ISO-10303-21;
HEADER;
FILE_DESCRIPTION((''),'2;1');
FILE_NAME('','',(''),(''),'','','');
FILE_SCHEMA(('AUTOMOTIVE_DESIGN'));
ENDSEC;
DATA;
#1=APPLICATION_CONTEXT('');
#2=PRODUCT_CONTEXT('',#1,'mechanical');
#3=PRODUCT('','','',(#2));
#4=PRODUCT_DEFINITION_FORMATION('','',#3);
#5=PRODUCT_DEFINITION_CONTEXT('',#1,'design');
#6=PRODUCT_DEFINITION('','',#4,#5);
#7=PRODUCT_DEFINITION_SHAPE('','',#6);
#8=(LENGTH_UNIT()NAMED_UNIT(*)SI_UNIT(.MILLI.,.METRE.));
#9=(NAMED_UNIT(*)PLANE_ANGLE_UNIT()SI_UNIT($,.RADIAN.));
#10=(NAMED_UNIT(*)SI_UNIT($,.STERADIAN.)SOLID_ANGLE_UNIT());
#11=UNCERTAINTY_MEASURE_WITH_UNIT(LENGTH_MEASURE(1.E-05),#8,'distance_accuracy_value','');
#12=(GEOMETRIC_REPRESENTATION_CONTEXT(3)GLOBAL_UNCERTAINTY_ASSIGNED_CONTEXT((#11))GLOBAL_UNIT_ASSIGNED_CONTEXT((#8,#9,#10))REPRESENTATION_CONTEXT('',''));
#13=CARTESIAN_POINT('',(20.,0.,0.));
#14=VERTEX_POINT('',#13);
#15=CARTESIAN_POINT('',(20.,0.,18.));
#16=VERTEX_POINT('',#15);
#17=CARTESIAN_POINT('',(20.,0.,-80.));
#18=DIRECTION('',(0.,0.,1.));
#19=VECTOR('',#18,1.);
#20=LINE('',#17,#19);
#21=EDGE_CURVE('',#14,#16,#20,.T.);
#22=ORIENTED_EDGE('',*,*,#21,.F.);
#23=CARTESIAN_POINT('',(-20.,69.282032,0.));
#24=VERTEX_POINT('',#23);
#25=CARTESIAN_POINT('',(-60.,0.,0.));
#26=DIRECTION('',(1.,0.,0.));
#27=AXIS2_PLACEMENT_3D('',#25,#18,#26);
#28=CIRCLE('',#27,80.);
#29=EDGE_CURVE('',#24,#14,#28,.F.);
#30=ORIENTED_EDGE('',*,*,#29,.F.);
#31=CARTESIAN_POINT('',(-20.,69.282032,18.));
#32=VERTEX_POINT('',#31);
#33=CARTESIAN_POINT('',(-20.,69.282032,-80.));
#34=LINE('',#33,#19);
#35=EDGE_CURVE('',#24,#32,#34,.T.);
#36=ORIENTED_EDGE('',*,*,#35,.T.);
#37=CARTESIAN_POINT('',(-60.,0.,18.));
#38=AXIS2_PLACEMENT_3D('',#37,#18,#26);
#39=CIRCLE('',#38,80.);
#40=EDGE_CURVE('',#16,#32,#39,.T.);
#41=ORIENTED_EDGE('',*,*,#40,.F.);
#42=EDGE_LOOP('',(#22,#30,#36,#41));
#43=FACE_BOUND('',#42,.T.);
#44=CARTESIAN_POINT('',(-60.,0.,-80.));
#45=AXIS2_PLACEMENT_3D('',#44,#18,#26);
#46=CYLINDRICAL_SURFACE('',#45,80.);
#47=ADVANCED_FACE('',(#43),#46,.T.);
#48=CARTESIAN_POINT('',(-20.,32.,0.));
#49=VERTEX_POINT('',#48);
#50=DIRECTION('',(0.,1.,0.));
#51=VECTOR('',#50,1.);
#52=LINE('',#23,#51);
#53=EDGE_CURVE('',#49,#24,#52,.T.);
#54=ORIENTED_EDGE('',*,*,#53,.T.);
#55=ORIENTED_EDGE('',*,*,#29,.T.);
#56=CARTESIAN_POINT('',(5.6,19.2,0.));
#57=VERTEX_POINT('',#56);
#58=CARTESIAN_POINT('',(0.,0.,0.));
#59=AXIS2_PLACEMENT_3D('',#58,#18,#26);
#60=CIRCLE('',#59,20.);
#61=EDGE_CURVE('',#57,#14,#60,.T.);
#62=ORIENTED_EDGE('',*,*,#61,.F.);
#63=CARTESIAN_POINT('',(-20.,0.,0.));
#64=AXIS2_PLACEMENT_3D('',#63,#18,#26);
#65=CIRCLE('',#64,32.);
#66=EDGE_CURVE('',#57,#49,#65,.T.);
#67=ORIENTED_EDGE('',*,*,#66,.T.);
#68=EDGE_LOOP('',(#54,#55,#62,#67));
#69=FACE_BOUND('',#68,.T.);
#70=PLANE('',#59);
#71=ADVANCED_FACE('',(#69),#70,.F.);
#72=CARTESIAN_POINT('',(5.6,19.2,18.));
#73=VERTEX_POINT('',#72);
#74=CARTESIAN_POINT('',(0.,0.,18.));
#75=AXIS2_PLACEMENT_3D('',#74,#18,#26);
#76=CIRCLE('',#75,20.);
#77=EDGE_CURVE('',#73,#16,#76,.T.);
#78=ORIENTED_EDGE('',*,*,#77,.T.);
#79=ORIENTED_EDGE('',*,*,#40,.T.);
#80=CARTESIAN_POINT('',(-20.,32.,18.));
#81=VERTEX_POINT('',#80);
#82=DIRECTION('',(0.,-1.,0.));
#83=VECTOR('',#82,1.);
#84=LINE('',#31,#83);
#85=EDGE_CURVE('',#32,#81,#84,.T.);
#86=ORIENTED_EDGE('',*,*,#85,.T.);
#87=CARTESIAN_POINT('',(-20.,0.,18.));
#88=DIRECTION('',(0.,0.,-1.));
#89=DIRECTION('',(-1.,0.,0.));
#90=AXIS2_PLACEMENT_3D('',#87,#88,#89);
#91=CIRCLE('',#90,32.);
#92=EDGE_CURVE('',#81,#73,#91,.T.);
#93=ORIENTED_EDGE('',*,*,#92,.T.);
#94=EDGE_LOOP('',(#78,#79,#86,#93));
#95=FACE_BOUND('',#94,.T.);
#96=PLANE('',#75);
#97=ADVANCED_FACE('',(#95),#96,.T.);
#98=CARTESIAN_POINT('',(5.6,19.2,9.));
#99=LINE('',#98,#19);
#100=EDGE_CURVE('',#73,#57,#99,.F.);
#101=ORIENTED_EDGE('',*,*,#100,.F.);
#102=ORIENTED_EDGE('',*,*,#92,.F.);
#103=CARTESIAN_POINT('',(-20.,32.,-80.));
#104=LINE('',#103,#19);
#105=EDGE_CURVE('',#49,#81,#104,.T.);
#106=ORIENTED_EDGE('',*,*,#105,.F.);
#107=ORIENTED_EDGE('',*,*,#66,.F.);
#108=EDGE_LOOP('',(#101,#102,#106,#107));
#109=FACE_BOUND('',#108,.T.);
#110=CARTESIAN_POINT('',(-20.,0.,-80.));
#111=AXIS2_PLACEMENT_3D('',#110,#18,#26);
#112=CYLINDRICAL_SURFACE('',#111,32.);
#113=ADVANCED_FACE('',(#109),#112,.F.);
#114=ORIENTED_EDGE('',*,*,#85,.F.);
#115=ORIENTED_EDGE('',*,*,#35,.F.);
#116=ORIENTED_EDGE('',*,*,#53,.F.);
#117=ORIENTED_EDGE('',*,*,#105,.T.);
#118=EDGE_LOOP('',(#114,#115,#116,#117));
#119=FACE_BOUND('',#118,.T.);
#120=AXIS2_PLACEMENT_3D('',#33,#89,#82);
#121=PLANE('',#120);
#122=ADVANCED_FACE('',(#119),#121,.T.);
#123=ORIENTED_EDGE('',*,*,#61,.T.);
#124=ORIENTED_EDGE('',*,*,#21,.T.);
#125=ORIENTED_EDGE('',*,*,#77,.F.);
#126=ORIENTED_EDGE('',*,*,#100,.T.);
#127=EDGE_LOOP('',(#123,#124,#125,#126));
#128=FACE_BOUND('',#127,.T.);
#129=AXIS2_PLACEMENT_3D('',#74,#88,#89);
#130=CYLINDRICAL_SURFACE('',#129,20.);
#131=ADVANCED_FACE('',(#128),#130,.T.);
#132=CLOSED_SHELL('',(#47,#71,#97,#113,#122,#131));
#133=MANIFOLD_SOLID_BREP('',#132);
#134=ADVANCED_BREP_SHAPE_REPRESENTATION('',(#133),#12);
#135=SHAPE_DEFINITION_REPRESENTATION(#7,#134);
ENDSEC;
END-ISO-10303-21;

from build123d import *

# Parameters (mm, degrees)
SKETCH_1_R      = 20
EXTRUDE_1_DEPTH = 18
EXTRUDE_2_DEPTH = 18


with BuildPart() as part:
    # 草图1 → 凸台-拉伸1 (new body)
    with BuildSketch(Plane.XY):
        Circle(SKETCH_1_R)
    extrude(amount=EXTRUDE_1_DEPTH)

    # 草图2 → 凸台-拉伸2 (add)
    with BuildSketch(Plane.XY.offset(18)):
        with BuildLine():
            Line((-20, 69.282032303), (-20, 32))
            ThreePointArc((-20, 32), (2.627416998, 22.627416998), (12, 0))
            Line((12, 0), (20, 0))
            ThreePointArc((20, 0), (9.282032303, 40), (-20, 69.282032303))
        make_face()
    extrude(amount=-EXTRUDE_2_DEPTH)


solid = part.part
